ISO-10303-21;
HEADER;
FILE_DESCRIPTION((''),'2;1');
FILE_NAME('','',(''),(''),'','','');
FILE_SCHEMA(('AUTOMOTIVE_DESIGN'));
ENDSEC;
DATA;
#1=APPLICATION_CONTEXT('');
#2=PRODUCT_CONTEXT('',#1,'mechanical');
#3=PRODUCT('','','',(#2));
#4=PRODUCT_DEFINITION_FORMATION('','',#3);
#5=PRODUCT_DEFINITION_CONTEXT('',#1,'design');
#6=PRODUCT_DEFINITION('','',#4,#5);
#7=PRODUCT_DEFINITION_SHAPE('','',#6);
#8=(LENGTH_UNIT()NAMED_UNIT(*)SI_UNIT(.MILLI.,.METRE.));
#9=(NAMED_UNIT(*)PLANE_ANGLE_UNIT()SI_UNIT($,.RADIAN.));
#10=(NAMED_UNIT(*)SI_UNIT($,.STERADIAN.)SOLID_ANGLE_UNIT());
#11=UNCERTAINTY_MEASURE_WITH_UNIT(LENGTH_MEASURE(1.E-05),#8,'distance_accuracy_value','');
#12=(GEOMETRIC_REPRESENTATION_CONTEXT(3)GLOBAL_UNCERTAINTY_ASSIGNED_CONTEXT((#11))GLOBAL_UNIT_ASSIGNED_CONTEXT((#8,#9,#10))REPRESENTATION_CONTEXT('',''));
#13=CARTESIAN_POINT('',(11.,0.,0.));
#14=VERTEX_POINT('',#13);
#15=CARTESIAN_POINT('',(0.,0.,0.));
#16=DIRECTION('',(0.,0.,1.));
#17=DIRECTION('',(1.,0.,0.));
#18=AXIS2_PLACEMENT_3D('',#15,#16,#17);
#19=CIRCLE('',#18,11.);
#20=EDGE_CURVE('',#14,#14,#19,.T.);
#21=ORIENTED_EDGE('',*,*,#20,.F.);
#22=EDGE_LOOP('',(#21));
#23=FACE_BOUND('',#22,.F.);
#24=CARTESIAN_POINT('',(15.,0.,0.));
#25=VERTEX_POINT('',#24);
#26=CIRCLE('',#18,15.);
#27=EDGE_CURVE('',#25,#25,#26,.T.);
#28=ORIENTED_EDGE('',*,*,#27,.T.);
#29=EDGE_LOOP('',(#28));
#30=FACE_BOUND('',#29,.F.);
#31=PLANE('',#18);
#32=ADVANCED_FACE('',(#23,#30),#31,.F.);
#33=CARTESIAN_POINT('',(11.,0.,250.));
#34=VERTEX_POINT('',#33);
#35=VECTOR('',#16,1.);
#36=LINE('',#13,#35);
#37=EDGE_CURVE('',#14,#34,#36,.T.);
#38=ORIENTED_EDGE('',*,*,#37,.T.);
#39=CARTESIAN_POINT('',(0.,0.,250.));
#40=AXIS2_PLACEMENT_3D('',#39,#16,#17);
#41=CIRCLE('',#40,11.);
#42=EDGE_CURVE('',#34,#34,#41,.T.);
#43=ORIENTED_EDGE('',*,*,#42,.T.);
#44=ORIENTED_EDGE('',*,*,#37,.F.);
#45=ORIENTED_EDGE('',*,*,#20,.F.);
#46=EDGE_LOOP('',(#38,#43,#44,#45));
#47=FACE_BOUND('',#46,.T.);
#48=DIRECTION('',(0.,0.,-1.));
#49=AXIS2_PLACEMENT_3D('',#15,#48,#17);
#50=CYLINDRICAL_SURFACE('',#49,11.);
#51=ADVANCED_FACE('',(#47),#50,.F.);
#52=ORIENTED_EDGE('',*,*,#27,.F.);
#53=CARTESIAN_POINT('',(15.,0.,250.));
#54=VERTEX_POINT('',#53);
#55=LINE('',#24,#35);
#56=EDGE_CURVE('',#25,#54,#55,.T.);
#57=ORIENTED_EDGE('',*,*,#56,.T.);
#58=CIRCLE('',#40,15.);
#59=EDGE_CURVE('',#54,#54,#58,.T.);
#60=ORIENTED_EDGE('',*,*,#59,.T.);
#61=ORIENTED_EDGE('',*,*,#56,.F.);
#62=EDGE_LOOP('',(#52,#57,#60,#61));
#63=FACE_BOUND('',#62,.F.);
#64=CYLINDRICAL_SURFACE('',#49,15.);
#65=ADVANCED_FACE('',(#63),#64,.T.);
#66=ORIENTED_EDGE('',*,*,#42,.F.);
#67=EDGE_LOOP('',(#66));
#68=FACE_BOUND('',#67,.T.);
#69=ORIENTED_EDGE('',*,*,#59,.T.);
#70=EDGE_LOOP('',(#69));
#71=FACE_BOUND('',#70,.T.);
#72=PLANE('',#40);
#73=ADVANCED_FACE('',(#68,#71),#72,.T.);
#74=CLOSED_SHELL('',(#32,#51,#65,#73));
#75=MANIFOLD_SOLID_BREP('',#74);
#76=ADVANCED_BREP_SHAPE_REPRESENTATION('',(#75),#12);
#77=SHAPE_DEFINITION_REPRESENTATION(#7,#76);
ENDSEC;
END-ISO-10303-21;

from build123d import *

# Parameters (mm, degrees)
SKETCH_R   = 15
SKETCH_R_2 = 11
PAD_DEPTH  = 250


with BuildPart() as part:
    # Sketch → Pad (new body)
    with BuildSketch(Plane.XY):
        Circle(SKETCH_R)
        Circle(SKETCH_R_2, mode=Mode.SUBTRACT)
    extrude(amount=PAD_DEPTH)


solid = part.part
